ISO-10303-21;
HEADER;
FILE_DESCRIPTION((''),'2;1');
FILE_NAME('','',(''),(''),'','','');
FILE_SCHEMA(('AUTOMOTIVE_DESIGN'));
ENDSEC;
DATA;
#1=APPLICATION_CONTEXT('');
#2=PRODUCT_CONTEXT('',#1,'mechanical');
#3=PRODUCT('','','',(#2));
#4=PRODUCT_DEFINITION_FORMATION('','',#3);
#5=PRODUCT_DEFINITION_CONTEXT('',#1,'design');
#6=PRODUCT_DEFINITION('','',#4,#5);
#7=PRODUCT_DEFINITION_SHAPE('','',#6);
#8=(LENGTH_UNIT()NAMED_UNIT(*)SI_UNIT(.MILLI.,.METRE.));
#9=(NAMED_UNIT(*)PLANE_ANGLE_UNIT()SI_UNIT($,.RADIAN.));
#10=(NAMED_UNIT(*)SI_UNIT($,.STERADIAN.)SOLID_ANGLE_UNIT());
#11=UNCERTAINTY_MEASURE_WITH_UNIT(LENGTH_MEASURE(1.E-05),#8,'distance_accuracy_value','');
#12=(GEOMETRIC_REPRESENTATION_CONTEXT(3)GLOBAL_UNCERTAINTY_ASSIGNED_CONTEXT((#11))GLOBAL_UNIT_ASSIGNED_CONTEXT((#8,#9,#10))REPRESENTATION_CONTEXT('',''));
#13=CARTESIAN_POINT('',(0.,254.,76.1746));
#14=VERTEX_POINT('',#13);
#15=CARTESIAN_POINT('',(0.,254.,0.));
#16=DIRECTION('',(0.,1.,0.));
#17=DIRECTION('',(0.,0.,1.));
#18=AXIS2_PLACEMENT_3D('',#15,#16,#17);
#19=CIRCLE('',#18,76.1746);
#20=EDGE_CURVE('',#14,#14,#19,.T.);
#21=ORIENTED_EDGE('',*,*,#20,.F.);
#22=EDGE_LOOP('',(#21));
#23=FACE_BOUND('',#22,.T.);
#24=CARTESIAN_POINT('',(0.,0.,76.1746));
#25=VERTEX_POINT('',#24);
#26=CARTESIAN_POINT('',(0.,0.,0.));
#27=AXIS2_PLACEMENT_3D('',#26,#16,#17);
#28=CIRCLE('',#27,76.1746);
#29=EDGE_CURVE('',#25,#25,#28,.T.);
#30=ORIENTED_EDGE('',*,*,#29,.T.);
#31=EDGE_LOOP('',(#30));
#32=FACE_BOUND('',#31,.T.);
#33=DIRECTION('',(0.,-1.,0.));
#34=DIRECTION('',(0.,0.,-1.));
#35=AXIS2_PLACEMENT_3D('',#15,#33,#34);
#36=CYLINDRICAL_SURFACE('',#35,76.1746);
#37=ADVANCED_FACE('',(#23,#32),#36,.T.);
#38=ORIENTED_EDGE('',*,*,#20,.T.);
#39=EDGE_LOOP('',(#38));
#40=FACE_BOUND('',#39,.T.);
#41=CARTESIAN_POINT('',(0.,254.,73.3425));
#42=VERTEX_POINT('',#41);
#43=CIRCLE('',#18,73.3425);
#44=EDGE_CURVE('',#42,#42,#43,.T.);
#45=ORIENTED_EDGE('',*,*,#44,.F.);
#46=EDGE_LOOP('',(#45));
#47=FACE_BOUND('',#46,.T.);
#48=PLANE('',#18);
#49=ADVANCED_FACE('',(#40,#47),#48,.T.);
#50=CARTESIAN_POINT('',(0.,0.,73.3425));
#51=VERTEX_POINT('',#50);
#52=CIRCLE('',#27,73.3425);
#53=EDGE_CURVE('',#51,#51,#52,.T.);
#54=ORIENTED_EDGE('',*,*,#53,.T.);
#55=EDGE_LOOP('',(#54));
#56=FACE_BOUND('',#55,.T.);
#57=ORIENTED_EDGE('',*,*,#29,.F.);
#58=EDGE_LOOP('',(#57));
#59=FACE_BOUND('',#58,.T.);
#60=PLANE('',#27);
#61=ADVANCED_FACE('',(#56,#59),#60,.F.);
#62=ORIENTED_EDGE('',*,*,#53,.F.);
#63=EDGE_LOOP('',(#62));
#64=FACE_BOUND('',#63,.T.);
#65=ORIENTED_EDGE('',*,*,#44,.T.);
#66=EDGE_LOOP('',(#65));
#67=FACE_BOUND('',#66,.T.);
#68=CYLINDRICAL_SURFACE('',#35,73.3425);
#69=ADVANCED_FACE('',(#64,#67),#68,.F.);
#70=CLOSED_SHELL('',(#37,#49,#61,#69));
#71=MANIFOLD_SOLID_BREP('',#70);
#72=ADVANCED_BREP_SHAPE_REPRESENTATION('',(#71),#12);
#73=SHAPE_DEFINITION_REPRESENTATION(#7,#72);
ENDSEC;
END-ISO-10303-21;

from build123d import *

# Parameters (mm, degrees)
COUPLER_PROFILE_R   = 76.1746
COUPLER_PROFILE_R_2 = 73.3425
COUPLER_BODY_DEPTH  = 254


with BuildPart() as part:
    # Coupler Profile → Coupler Body (new body)
    with BuildSketch(Plane(origin=(0, 0, 0), x_dir=(1, 0, 0), z_dir=(0, 1, 0))):
        Circle(COUPLER_PROFILE_R)
        Circle(COUPLER_PROFILE_R_2, mode=Mode.SUBTRACT)
    extrude(amount=COUPLER_BODY_DEPTH)


solid = part.part
